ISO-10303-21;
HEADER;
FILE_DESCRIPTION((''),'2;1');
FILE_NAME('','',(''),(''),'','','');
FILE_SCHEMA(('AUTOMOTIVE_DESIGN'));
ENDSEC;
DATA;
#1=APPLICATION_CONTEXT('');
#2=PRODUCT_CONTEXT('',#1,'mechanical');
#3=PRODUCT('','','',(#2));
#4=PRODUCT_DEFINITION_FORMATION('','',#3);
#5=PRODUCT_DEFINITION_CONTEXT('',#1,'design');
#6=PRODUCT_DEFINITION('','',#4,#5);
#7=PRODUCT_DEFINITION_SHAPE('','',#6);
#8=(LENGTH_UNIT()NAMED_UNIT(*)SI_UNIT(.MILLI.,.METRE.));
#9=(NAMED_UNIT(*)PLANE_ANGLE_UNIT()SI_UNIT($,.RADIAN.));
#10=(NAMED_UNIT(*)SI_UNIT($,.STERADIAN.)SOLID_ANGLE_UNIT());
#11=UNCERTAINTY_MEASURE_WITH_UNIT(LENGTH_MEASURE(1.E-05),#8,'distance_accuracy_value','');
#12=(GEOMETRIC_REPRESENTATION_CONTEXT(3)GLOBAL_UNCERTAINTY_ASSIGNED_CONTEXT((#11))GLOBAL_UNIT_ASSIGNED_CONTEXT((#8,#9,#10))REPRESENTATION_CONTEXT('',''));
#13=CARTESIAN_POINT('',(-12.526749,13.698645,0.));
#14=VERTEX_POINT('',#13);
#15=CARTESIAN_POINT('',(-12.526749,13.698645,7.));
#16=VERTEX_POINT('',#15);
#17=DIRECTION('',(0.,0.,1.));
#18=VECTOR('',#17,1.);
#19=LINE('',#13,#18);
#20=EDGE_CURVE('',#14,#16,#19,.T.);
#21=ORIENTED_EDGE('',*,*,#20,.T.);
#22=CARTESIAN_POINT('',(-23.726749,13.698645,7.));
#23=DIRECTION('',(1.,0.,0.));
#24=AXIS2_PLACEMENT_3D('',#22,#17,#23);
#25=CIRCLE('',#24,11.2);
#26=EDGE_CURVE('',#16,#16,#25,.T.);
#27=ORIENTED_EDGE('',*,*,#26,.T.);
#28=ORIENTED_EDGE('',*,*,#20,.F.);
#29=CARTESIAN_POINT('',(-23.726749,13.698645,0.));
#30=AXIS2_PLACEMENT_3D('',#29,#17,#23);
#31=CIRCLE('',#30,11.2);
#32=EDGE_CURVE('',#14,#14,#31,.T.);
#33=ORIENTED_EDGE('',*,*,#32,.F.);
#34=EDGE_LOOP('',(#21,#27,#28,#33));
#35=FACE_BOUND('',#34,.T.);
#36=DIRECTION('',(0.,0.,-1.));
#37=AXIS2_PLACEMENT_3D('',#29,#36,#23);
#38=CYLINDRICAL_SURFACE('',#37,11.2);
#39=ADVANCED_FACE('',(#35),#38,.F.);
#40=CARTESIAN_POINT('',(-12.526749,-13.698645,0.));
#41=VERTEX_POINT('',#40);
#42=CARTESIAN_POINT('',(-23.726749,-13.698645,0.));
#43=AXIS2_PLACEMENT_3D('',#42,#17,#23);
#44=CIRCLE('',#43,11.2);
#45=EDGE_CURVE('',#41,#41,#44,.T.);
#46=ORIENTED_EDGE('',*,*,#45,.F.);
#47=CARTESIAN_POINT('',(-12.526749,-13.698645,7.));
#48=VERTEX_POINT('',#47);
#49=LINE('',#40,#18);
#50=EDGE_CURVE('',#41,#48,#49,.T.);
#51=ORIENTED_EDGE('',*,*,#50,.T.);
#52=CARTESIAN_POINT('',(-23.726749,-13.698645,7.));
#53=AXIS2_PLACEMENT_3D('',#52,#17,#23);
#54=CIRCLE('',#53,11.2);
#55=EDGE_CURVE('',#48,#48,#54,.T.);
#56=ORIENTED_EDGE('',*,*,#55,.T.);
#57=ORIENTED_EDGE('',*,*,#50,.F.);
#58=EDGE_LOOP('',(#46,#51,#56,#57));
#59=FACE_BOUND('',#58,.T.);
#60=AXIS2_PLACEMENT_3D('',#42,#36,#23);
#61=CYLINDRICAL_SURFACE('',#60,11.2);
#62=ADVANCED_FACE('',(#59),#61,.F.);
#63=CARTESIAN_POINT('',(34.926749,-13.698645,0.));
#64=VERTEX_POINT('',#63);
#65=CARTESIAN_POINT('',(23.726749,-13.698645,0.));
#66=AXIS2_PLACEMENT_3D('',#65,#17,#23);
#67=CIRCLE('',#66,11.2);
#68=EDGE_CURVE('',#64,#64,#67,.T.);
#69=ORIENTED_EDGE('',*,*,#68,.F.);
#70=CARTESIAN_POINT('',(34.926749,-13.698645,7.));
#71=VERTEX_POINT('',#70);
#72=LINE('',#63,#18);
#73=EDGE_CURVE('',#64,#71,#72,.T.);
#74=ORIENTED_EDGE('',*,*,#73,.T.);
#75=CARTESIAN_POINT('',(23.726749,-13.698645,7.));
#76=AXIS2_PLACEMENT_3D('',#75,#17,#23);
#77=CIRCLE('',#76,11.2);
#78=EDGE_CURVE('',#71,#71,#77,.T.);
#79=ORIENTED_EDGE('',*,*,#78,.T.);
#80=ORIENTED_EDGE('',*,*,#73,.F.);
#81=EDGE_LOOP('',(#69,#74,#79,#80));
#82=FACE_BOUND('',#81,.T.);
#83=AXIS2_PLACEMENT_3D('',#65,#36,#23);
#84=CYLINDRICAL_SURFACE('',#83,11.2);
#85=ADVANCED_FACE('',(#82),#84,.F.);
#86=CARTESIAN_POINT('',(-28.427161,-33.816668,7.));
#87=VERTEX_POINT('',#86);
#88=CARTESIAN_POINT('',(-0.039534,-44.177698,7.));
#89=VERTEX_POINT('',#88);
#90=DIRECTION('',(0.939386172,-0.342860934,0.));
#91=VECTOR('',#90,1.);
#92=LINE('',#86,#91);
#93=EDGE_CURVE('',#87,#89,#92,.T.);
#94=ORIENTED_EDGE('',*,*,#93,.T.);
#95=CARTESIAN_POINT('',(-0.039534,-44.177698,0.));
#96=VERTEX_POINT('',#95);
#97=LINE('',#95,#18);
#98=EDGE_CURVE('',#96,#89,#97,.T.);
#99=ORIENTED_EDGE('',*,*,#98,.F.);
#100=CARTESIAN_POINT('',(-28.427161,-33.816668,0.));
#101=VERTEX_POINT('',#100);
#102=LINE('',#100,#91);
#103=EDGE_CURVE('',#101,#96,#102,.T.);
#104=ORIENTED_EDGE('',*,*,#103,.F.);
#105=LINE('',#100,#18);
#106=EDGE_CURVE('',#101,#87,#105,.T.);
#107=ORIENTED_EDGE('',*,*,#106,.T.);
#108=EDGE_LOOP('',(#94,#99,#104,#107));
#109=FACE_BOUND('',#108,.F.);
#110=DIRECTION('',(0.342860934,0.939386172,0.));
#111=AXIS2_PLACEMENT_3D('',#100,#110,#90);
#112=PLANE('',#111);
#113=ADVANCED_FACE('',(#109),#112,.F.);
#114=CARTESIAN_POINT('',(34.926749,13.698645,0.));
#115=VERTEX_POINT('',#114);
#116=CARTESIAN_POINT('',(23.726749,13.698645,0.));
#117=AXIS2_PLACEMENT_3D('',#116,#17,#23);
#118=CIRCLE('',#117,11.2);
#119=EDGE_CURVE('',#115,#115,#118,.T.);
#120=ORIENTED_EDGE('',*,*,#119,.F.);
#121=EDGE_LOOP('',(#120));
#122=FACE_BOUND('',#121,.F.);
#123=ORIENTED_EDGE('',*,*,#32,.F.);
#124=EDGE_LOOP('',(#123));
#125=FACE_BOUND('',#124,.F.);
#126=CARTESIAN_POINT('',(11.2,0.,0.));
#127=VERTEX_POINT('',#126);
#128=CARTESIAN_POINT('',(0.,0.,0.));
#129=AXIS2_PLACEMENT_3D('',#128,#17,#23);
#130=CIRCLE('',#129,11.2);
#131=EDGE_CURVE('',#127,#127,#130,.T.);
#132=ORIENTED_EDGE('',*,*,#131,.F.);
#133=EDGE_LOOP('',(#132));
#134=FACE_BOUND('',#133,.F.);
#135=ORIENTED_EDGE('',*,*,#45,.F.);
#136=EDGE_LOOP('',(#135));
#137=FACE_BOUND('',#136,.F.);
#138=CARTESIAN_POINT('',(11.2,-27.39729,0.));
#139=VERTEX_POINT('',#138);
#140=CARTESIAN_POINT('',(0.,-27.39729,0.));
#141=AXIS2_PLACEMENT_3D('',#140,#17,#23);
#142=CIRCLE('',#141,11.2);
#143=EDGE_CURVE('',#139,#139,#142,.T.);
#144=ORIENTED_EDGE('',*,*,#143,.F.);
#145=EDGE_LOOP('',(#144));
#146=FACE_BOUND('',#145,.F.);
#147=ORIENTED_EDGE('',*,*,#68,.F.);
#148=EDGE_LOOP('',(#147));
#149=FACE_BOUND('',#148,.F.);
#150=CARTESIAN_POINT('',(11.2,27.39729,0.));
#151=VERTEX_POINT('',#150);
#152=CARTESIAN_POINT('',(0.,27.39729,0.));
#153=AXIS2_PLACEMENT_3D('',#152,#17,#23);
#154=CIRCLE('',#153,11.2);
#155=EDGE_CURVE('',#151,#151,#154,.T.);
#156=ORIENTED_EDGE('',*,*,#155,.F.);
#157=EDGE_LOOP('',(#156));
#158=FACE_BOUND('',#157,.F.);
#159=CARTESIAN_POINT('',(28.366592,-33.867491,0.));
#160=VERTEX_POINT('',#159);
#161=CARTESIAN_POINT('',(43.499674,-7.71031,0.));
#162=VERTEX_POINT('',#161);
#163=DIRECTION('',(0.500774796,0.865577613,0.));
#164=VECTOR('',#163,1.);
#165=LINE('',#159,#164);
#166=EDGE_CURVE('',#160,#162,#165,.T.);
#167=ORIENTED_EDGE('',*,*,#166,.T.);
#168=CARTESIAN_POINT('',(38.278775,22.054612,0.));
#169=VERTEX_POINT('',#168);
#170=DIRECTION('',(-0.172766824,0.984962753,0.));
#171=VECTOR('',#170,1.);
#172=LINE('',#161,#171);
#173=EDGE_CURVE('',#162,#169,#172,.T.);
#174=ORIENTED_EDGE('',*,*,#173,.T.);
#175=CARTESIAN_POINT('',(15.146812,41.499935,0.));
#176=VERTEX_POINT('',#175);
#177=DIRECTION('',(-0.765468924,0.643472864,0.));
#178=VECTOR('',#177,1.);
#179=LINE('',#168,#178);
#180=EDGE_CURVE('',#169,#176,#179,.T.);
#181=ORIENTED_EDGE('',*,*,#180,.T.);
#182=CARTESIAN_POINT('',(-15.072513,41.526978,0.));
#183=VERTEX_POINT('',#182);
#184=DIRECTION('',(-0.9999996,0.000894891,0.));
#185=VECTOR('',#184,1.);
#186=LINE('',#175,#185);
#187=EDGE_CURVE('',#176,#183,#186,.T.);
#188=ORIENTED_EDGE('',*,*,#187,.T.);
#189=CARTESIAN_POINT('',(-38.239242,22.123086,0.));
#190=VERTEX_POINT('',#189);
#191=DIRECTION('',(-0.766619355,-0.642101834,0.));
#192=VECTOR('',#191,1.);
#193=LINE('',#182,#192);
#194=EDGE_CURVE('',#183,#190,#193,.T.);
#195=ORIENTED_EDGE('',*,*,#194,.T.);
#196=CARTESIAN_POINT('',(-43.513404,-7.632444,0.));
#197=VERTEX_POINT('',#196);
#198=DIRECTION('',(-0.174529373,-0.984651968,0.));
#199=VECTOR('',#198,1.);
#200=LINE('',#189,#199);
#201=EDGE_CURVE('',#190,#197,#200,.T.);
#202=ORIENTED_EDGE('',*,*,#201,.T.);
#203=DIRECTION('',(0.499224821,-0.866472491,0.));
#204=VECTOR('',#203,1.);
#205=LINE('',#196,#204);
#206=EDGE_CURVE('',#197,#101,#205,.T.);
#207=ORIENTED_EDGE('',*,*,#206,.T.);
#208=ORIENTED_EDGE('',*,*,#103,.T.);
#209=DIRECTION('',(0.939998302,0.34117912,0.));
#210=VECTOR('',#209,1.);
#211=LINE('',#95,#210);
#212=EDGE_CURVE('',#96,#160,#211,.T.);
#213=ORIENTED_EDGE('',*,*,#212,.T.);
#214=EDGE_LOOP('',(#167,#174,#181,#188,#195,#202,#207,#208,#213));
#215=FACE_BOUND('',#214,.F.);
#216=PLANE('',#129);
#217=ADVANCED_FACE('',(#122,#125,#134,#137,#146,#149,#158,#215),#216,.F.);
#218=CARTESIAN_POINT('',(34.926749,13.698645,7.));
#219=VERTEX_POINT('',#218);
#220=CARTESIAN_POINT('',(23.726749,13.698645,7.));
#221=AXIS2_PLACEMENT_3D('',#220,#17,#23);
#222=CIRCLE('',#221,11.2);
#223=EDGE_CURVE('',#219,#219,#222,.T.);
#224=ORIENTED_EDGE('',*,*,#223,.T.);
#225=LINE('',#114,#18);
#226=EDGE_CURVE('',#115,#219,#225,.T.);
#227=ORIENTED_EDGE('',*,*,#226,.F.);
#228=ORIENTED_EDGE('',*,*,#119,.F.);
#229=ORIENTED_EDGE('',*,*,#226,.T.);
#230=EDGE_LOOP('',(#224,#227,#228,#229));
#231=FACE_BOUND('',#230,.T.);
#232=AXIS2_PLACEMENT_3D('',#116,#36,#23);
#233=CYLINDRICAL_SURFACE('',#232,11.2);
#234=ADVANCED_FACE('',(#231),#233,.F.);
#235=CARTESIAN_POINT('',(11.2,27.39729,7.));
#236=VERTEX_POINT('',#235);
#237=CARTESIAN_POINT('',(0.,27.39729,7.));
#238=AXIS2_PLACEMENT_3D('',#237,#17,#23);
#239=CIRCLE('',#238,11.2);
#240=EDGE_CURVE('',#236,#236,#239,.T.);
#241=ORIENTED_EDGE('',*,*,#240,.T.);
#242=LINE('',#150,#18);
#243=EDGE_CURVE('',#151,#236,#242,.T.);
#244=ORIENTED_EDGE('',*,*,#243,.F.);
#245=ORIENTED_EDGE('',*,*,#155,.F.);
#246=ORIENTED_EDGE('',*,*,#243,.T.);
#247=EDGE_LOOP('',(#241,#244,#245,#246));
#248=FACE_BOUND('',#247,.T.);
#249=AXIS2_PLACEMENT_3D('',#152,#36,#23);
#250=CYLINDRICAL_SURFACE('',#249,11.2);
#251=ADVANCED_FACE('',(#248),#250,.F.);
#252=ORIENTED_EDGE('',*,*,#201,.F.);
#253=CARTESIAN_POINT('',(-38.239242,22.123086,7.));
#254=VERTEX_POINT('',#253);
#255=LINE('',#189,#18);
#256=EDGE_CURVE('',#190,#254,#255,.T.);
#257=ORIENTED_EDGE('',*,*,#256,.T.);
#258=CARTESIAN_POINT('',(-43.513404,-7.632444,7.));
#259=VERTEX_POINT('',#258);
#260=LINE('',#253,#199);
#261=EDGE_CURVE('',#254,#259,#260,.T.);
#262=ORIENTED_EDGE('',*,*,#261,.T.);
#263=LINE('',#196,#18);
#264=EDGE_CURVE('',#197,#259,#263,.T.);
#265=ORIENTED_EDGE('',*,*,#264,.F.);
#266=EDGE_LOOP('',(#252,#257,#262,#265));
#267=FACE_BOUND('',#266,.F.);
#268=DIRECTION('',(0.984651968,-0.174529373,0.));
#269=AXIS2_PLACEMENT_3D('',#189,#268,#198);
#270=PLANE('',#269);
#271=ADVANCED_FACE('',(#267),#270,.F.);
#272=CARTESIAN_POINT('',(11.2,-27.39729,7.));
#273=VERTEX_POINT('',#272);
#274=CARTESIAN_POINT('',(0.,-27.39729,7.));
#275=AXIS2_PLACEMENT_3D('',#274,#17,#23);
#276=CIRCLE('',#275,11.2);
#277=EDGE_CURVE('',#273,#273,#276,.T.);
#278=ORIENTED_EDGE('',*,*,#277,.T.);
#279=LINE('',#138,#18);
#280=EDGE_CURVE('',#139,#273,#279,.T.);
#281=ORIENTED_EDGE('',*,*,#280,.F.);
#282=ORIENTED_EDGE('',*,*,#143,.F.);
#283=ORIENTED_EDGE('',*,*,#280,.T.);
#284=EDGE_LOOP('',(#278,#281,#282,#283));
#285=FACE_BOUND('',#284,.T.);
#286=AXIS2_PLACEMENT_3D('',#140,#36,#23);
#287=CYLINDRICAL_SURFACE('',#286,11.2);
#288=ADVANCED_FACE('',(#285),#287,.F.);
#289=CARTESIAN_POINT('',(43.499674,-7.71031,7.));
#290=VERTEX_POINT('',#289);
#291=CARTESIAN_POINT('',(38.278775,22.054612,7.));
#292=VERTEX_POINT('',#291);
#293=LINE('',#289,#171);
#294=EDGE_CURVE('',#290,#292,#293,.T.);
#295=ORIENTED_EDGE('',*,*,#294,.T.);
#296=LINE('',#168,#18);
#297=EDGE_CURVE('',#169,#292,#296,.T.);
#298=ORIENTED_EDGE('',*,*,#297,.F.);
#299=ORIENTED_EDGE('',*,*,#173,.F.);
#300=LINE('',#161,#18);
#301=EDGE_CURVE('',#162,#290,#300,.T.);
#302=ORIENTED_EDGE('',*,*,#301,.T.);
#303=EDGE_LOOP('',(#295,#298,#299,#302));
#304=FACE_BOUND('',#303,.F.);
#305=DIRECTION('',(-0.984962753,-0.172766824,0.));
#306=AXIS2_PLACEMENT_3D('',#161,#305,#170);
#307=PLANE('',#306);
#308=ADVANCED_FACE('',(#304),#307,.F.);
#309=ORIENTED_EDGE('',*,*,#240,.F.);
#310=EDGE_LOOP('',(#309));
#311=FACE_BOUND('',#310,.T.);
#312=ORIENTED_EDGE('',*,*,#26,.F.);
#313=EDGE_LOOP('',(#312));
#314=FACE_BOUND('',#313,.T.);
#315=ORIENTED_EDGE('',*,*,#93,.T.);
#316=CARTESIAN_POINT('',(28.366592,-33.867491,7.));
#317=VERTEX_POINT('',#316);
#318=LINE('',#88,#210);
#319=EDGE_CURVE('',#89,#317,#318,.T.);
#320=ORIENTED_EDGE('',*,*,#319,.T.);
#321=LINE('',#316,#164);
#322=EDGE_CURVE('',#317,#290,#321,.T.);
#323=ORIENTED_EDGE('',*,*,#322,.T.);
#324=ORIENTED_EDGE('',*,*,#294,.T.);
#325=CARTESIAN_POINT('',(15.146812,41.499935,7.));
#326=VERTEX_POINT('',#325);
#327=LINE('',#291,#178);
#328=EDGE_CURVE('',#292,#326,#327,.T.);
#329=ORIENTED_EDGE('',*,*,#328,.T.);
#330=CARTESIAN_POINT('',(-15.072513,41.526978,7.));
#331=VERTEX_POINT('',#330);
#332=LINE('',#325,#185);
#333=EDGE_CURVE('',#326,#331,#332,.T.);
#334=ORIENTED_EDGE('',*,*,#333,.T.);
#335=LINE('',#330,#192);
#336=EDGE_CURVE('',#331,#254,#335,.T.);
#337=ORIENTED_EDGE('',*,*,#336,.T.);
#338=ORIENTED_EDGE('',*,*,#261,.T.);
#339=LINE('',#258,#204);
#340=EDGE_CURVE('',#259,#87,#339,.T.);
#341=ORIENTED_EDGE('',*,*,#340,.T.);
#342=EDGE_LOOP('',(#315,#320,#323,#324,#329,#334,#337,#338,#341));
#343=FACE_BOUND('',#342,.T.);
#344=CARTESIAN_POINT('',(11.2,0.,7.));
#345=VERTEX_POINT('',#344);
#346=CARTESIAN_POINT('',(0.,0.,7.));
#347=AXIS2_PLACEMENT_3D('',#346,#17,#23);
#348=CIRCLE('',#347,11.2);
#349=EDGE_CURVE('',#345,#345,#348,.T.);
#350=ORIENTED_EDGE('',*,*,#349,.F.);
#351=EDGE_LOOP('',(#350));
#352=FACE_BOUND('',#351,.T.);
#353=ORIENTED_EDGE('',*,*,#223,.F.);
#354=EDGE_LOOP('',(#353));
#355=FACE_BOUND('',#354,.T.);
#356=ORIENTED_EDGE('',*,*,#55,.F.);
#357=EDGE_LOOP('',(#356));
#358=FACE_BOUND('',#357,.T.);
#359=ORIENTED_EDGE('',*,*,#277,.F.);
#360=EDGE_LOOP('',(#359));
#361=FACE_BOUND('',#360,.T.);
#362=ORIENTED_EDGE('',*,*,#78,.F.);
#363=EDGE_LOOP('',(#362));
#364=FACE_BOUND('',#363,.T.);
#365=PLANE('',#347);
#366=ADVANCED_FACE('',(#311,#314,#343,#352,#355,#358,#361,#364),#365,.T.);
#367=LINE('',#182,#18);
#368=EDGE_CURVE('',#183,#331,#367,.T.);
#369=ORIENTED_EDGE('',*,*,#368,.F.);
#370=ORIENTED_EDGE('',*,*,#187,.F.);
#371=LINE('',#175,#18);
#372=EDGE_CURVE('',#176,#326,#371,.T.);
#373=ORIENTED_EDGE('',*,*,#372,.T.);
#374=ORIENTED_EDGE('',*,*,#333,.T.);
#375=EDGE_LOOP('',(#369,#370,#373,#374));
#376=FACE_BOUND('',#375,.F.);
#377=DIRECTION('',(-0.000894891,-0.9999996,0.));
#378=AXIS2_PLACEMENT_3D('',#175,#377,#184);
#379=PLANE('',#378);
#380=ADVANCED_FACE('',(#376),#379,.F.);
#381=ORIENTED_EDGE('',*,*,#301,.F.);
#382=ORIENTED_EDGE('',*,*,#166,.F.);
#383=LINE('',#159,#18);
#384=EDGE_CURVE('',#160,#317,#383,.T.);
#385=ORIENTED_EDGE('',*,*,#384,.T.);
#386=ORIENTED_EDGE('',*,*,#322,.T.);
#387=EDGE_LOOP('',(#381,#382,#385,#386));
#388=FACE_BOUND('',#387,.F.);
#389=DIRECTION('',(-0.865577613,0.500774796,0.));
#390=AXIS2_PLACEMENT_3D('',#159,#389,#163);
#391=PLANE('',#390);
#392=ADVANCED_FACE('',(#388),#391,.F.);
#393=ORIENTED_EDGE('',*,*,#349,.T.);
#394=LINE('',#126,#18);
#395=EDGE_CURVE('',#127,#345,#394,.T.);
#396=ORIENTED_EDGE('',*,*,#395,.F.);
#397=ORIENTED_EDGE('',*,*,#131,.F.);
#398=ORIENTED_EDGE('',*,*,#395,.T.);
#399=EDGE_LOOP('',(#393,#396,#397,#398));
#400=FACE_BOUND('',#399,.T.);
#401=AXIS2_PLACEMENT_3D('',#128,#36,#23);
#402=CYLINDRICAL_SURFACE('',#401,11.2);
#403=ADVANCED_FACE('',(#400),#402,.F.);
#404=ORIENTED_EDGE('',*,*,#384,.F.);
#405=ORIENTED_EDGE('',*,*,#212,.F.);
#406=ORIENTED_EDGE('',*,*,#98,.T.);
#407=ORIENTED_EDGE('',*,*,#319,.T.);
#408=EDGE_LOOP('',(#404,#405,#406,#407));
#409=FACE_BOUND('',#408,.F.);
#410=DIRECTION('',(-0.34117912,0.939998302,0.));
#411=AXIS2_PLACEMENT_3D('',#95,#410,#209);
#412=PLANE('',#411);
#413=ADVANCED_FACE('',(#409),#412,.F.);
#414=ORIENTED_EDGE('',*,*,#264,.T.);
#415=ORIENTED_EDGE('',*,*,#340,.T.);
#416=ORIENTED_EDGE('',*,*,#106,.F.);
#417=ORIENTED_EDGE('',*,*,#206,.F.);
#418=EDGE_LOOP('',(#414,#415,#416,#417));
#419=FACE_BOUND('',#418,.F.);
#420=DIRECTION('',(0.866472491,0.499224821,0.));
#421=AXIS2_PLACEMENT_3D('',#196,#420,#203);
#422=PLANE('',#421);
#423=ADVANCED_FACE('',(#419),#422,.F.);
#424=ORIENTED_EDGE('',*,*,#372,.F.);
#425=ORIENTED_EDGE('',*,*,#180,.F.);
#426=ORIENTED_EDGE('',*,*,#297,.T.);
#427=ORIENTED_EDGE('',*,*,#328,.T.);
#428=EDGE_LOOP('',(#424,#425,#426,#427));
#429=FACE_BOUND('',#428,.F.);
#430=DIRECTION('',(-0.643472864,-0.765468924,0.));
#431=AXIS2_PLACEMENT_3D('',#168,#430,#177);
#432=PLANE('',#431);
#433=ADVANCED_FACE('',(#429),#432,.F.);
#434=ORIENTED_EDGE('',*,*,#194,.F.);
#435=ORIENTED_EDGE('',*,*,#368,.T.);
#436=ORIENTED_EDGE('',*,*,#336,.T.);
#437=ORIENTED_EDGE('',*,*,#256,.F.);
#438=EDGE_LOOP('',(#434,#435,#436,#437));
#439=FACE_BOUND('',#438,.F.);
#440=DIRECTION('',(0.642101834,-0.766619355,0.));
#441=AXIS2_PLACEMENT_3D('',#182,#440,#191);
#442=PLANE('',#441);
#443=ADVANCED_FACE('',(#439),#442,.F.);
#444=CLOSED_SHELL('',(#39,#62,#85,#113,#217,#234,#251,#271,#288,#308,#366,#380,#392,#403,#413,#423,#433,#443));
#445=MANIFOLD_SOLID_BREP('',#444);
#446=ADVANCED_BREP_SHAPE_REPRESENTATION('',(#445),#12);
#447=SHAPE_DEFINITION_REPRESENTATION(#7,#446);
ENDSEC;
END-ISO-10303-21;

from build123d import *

# Parameters (mm, degrees)
F0_R     = 13.2
F0_R_2   = 11.2
F1_DEPTH = 7


with BuildPart() as f1:
    # F0 (on Top) → F1 (new body)
    with BuildSketch(Plane.XY):
        Polygon((28.366592, -33.867491), (43.499674, -7.71031), (38.278775, 22.054612), (15.146812, 41.499935), (-15.072513, 41.526978), (-38.239242, 22.123086), (-43.513404, -7.632444), (-28.427161, -33.816668), (-0.039534, -44.177698), align=None)
        with Locations((-23.726749, -13.698645)):
            Circle(F0_R, mode=Mode.SUBTRACT)
        with Locations((0, -27.39729)):
            Circle(F0_R, mode=Mode.SUBTRACT)
        with Locations((23.726749, -13.698645)):
            Circle(F0_R, mode=Mode.SUBTRACT)
        with Locations((-23.726749, 13.698645)):
            Circle(F0_R, mode=Mode.SUBTRACT)
        Circle(F0_R, mode=Mode.SUBTRACT)
        with Locations((23.726749, 13.698645)):
            Circle(F0_R, mode=Mode.SUBTRACT)
        with Locations((0, 27.39729)):
            Circle(F0_R, mode=Mode.SUBTRACT)
        with Locations((-23.726749, 13.698645)):
            Circle(F0_R)
        with Locations((-23.726749, 13.698645)):
            Circle(F0_R_2, mode=Mode.SUBTRACT)
        with Locations((0, 27.39729)):
            Circle(F0_R)
        with Locations((0, 27.39729)):
            Circle(F0_R_2, mode=Mode.SUBTRACT)
        with Locations((23.726749, 13.698645)):
            Circle(F0_R)
        with Locations((23.726749, 13.698645)):
            Circle(F0_R_2, mode=Mode.SUBTRACT)
        with Locations((23.726749, -13.698645)):
            Circle(F0_R)
        with Locations((23.726749, -13.698645)):
            Circle(F0_R_2, mode=Mode.SUBTRACT)
        with Locations((0, -27.39729)):
            Circle(F0_R)
        with Locations((0, -27.39729)):
            Circle(F0_R_2, mode=Mode.SUBTRACT)
        with Locations((-23.726749, -13.698645)):
            Circle(F0_R)
        with Locations((-23.726749, -13.698645)):
            Circle(F0_R_2, mode=Mode.SUBTRACT)
        Circle(F0_R)
        Circle(F0_R_2, mode=Mode.SUBTRACT)
    extrude(amount=F1_DEPTH)


solid = f1.part
